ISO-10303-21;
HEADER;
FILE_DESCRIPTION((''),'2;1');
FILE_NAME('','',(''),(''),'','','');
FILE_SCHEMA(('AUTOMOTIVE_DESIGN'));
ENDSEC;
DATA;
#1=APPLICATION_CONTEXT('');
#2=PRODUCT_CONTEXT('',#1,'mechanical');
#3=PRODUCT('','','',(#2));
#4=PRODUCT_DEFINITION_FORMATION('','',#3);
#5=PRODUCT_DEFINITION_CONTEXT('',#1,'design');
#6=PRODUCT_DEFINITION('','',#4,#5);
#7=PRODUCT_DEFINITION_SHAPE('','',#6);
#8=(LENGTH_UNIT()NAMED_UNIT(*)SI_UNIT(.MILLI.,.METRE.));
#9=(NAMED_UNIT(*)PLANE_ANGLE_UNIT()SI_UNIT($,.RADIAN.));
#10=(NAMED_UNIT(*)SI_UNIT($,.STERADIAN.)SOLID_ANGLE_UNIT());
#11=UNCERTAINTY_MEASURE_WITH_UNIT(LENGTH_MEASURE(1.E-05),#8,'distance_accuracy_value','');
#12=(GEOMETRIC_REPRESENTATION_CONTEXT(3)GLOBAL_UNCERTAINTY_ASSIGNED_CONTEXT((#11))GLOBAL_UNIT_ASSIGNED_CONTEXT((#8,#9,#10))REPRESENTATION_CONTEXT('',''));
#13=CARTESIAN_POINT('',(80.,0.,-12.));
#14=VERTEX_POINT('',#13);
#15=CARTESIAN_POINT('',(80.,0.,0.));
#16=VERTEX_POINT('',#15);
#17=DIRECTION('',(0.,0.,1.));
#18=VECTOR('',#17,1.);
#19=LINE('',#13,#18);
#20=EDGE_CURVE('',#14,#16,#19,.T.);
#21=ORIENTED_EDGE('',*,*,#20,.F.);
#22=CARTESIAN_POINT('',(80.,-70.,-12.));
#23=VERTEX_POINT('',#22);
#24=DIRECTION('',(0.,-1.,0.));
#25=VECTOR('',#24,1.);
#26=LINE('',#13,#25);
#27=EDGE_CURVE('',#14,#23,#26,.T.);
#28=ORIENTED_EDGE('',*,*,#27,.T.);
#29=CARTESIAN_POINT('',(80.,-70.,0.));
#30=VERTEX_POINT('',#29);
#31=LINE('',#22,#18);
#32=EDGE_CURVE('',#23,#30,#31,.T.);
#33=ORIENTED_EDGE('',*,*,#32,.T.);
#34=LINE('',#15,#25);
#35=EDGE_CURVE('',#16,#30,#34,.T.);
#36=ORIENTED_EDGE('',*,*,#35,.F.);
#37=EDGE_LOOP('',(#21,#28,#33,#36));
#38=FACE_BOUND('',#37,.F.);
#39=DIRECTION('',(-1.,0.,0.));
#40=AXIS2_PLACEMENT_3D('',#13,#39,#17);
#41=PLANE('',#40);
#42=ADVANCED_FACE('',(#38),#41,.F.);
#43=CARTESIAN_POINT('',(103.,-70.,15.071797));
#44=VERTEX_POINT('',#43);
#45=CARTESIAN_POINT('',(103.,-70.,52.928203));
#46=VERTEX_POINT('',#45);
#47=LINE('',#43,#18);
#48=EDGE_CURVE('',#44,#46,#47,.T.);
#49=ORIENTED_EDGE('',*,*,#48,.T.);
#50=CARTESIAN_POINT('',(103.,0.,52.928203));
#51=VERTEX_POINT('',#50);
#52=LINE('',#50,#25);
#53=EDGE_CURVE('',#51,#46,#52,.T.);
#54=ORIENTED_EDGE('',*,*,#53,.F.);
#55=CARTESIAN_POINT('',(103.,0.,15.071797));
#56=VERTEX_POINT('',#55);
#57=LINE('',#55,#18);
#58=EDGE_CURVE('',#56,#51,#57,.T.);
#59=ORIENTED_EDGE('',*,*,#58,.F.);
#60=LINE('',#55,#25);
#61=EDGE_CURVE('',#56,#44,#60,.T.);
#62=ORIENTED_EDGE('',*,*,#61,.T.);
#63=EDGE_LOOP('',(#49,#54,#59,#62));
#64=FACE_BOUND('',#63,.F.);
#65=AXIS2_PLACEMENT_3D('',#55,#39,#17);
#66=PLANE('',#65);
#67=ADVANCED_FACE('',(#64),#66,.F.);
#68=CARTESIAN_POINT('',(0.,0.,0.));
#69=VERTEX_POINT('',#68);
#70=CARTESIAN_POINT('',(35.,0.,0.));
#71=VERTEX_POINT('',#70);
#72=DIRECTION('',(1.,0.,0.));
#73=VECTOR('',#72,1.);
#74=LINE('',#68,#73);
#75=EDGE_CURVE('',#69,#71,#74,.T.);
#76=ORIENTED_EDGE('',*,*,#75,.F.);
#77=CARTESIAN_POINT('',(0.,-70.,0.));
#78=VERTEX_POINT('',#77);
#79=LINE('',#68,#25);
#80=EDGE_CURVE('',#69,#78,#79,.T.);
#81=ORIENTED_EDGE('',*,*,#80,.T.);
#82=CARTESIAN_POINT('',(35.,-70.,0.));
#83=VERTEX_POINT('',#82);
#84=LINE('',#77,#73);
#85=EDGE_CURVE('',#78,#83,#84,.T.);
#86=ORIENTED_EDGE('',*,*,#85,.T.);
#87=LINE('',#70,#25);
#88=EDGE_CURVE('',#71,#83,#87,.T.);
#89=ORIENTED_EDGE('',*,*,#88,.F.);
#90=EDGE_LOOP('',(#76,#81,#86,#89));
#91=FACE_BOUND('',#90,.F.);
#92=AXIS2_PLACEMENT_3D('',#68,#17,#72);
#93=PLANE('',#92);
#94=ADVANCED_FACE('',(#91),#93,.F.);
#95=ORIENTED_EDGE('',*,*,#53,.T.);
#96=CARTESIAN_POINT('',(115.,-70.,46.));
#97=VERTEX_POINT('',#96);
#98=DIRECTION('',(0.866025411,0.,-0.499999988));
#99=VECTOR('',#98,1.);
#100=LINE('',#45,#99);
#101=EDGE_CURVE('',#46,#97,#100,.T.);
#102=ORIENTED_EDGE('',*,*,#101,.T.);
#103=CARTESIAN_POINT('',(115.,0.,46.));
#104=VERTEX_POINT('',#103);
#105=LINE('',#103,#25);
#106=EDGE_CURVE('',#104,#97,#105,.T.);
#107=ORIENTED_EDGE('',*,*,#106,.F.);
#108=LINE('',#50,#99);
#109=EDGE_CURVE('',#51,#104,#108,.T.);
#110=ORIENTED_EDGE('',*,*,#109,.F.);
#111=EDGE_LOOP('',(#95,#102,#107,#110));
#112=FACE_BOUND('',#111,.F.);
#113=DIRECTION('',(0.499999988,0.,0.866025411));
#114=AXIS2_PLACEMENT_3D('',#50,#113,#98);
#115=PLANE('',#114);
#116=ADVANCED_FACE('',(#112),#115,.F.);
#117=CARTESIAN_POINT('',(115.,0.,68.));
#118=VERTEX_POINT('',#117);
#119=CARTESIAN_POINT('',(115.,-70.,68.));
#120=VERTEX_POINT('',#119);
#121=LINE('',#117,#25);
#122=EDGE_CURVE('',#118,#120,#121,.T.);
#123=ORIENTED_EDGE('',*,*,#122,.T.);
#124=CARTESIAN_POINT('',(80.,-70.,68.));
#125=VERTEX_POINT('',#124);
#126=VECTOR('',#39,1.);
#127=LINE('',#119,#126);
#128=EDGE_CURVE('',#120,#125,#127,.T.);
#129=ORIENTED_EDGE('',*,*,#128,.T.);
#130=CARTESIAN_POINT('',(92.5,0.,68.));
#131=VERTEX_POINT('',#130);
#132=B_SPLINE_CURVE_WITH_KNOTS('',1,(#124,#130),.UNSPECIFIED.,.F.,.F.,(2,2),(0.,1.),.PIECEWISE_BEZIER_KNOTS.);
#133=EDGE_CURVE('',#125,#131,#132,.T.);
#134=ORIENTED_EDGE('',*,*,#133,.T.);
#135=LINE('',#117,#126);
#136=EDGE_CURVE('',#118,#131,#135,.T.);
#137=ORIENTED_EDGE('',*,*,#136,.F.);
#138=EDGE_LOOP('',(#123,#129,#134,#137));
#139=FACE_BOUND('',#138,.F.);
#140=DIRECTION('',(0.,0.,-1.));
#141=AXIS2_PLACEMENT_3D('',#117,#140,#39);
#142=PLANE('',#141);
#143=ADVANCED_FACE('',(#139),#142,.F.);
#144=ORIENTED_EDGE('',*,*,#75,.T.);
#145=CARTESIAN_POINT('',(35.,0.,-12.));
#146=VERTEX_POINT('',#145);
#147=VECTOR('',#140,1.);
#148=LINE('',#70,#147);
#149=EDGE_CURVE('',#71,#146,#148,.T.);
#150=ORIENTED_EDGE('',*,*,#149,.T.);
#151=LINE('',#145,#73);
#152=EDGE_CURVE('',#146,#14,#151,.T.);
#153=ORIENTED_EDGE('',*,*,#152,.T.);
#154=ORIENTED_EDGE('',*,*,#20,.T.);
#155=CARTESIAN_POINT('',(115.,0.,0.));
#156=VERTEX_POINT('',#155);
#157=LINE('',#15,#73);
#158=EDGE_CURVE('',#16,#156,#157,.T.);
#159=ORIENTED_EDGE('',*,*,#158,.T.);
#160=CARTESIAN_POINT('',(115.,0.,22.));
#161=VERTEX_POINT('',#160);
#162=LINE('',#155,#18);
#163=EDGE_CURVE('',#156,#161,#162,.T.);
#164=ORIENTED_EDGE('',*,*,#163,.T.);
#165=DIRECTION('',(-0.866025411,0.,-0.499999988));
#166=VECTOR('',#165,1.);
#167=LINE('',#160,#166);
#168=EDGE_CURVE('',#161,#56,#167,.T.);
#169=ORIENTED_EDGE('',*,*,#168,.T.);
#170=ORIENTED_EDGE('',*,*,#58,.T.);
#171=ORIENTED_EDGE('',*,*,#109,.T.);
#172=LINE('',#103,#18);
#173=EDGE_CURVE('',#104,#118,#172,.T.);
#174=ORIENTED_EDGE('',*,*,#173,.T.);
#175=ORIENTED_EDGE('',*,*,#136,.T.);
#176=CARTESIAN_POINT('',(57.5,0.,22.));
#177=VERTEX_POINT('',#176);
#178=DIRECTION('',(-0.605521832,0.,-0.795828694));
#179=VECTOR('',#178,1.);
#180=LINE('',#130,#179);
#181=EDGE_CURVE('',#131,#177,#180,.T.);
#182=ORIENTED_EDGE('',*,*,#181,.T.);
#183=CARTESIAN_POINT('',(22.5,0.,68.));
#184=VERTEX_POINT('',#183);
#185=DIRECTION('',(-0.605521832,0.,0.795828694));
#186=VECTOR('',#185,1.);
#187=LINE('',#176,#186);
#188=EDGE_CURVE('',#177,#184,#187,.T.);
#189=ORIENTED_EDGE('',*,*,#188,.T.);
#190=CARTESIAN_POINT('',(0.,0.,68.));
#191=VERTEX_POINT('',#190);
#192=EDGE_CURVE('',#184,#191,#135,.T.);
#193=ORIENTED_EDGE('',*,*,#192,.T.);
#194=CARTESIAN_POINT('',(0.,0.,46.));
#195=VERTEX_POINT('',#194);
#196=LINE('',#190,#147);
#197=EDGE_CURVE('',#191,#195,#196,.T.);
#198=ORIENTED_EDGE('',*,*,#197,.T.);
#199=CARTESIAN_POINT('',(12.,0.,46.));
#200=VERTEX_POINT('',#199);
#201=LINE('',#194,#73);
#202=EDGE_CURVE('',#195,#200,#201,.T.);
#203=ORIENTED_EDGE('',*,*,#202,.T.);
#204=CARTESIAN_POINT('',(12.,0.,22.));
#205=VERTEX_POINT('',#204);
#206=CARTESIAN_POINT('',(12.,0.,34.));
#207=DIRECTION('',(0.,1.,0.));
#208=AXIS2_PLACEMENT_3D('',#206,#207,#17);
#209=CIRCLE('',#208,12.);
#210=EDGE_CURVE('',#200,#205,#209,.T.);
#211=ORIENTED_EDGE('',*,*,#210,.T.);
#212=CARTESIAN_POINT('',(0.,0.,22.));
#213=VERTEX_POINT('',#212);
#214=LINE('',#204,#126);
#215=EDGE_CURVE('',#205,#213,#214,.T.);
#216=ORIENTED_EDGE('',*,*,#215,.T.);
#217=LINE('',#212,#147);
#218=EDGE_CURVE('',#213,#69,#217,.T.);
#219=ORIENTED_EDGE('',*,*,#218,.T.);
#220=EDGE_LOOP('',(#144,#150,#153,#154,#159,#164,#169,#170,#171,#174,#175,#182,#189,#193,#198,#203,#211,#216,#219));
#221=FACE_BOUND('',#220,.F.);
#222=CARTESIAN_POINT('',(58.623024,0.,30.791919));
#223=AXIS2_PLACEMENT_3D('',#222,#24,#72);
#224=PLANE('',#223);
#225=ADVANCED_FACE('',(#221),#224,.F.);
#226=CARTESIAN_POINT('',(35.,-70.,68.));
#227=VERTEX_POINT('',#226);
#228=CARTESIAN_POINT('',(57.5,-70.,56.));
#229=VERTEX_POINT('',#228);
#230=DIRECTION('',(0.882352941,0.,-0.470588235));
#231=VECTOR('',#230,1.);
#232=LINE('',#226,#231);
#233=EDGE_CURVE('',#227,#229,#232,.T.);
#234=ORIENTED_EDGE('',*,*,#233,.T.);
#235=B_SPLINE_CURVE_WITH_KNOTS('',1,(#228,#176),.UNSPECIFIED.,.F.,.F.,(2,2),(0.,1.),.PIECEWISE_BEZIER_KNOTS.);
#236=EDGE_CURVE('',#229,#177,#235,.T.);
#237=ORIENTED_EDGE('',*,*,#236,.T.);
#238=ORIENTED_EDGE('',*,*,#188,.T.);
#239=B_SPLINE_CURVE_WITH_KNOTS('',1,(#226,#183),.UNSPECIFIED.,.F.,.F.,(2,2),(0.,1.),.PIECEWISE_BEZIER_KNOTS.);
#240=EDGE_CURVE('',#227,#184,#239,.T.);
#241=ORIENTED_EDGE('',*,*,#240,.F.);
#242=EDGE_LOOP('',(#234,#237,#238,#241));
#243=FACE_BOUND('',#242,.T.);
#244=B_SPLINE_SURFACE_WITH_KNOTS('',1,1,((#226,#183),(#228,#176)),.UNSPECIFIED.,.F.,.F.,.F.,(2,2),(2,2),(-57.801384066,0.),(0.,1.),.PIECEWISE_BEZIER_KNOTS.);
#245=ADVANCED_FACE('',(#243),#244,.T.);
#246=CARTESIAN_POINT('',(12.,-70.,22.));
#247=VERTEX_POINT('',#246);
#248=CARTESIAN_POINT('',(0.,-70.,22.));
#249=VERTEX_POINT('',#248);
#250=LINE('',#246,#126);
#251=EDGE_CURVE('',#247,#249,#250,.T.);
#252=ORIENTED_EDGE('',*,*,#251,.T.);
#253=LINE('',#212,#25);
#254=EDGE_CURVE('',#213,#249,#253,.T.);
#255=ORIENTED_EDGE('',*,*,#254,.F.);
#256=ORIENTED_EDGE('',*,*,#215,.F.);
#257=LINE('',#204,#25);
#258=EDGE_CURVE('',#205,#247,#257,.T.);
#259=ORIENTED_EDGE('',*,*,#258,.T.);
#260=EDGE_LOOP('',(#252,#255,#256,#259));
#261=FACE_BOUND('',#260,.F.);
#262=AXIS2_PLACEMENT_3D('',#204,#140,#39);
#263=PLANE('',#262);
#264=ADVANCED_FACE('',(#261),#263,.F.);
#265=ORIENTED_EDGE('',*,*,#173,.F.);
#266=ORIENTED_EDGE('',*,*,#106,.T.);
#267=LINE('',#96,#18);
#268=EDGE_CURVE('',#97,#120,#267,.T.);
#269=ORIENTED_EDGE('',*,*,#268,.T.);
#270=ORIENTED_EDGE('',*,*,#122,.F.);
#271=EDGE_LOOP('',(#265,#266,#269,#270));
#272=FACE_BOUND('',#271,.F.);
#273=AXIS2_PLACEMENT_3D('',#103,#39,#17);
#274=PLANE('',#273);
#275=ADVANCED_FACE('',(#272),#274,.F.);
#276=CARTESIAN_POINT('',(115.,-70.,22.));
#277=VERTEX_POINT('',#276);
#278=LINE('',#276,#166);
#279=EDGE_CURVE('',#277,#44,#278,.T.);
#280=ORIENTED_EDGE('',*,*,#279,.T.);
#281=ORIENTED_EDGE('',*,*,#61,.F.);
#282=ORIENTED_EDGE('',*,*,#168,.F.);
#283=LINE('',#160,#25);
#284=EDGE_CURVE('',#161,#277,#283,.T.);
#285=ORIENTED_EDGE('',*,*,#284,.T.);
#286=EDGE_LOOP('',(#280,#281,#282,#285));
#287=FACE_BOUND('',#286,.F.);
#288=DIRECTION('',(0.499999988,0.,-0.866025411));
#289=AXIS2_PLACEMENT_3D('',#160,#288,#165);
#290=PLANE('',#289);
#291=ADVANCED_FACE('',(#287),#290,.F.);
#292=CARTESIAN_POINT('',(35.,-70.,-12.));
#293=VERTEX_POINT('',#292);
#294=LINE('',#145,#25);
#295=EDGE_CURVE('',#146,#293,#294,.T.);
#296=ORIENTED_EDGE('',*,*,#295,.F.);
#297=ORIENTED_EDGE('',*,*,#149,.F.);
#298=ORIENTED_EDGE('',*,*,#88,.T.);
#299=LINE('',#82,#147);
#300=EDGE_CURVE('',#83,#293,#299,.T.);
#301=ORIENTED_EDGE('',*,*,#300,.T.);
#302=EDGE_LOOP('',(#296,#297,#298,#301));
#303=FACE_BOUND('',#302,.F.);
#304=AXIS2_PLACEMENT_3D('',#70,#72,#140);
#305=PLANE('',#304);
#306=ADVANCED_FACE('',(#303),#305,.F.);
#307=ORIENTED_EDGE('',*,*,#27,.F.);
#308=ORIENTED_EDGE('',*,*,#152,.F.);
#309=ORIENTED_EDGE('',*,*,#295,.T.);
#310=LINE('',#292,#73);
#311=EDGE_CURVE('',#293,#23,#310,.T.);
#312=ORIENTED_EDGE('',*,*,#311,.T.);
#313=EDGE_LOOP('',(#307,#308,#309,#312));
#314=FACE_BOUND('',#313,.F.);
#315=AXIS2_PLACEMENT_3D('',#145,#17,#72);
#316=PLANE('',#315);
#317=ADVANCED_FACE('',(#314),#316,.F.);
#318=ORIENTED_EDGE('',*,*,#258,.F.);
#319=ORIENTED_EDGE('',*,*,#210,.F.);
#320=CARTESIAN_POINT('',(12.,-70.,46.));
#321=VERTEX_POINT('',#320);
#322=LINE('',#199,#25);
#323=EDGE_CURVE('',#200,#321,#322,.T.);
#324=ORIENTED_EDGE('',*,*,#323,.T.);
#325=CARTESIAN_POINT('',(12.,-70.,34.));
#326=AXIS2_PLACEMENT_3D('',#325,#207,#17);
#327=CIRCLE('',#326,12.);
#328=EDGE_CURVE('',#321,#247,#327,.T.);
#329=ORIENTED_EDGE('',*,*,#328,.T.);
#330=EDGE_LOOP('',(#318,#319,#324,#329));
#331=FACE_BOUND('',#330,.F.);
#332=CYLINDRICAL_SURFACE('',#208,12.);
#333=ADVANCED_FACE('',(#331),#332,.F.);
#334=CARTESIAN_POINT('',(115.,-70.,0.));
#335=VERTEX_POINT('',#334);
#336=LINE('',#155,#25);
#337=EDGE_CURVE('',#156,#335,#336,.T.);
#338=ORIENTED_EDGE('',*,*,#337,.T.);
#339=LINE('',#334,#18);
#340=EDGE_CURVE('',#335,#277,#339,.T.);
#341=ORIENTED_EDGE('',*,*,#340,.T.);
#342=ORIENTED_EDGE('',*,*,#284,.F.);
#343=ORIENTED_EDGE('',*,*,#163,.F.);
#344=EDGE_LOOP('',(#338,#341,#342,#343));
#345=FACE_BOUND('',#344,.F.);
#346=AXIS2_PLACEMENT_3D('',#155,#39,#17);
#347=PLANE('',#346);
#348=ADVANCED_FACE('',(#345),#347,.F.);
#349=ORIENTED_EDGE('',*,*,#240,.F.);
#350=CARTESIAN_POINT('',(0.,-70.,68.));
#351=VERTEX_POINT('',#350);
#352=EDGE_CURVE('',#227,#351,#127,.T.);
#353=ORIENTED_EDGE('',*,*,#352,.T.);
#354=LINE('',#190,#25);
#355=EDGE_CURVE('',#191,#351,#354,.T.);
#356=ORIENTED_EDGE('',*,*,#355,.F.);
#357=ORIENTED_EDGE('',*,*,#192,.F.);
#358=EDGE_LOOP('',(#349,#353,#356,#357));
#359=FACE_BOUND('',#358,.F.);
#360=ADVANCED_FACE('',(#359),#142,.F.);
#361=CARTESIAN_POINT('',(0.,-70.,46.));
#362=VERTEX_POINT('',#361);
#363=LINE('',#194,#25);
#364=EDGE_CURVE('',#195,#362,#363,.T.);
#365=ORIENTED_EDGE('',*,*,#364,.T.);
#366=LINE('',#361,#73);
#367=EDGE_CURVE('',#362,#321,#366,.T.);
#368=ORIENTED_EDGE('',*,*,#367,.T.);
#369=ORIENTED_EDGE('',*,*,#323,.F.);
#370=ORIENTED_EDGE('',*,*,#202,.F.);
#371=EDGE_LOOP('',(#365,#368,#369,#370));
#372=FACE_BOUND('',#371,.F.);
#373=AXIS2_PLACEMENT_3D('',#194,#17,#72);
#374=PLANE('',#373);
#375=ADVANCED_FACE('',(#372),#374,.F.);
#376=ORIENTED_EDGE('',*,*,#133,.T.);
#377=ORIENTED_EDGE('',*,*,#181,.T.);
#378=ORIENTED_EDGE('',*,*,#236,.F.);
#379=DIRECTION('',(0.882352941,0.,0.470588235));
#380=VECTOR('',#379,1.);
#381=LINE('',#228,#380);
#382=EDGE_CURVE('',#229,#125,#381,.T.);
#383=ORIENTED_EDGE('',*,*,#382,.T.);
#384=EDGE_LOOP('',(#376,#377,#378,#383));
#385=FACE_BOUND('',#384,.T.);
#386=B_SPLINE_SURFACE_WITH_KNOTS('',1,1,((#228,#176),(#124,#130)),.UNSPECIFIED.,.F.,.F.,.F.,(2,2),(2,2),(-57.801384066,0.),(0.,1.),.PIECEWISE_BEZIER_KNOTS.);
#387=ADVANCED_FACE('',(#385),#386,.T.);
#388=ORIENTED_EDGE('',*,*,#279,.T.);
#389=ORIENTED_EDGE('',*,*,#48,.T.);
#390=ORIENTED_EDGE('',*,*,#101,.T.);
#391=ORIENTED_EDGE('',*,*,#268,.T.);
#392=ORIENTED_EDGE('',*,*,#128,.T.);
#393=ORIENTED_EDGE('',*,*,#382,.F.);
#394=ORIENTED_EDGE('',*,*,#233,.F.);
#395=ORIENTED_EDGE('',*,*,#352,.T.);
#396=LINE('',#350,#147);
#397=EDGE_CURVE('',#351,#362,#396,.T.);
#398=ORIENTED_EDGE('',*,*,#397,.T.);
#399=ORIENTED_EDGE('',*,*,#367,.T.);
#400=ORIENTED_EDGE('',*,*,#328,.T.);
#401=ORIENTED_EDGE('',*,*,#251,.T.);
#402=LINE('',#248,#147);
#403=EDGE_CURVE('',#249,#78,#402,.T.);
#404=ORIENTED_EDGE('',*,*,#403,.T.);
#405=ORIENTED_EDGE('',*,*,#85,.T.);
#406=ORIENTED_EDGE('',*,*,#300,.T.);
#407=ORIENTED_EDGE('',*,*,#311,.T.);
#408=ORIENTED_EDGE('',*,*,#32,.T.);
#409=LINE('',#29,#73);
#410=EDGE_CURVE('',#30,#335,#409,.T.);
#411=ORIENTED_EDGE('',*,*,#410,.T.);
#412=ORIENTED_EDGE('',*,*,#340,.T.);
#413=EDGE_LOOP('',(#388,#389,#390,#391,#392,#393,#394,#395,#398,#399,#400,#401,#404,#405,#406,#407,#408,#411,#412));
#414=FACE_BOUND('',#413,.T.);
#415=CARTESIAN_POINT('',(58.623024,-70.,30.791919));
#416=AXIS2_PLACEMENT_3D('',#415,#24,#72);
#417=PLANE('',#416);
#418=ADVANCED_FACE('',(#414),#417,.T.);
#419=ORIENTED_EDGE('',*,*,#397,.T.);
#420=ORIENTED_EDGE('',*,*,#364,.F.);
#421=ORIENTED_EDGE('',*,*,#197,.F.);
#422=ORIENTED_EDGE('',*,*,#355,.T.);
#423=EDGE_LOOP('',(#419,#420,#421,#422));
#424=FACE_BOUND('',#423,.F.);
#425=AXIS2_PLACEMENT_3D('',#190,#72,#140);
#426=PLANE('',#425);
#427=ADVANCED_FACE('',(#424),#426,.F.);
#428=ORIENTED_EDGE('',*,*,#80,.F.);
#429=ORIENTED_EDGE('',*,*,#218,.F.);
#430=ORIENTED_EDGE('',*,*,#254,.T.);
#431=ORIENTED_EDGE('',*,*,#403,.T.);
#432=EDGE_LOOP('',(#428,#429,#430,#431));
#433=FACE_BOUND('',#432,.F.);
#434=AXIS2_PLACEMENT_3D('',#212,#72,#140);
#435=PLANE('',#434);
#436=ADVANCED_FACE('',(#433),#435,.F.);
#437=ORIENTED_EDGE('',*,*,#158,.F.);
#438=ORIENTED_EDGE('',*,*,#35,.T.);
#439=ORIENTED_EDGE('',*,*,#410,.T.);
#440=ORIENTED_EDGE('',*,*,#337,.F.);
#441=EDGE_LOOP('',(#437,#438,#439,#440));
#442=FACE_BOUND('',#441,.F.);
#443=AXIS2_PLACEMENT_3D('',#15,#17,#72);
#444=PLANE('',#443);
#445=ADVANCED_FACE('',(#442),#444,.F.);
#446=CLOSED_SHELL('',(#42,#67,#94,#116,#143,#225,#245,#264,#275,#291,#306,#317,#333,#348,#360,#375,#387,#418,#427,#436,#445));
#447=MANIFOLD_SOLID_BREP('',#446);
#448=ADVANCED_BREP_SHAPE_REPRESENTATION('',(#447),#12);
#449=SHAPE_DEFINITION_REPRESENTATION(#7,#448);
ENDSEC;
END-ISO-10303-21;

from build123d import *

# Parameters (mm, degrees)
F1_DEPTH = 70


with BuildPart() as f1:
    # F0 (on Front) → F1 (new body)
    with BuildSketch(Plane.XZ):
        with BuildLine():
            Line((0, 22), (0, 0))
            Line((0, 0), (35, 0))
            Line((35, 0), (35, -12))
            Line((35, -12), (80, -12))
            Line((80, -12), (80, 0))
            Line((80, 0), (115, 0))
            Line((115, 0), (115, 22))
            Line((115, 22), (103, 15.071797))
            Line((103, 15.071797), (103, 52.928203))
            Line((103, 52.928203), (115, 46))
            Line((115, 46), (115, 68))
            Line((115, 68), (99.032866, 68))
            Line((99.032866, 68), (54.032866, 68))
            Line((54.032866, 68), (0, 68))
            Line((0, 68), (0, 46))
            Line((0, 46), (12, 46))
            ThreePointArc((12, 46), (24, 34), (12, 22))
            Line((12, 22), (0, 22))
        make_face()
    extrude(amount=F1_DEPTH)

    # F2 (on face) → F4 section 0
    with BuildSketch(Plane.XZ.offset(70)):
        Polygon((80, 68), (35, 68), (57.5, 56), align=None)
    # F3 (on face) → F4 section 1
    with BuildSketch(Plane(origin=(0, 0, 0), x_dir=(-1, 0, 0), z_dir=(0, 1, 0))):
        Polygon((-22.5, 68), (-92.5, 68), (-57.5, 22), align=None)
    loft(mode=Mode.SUBTRACT)


solid = f1.part
